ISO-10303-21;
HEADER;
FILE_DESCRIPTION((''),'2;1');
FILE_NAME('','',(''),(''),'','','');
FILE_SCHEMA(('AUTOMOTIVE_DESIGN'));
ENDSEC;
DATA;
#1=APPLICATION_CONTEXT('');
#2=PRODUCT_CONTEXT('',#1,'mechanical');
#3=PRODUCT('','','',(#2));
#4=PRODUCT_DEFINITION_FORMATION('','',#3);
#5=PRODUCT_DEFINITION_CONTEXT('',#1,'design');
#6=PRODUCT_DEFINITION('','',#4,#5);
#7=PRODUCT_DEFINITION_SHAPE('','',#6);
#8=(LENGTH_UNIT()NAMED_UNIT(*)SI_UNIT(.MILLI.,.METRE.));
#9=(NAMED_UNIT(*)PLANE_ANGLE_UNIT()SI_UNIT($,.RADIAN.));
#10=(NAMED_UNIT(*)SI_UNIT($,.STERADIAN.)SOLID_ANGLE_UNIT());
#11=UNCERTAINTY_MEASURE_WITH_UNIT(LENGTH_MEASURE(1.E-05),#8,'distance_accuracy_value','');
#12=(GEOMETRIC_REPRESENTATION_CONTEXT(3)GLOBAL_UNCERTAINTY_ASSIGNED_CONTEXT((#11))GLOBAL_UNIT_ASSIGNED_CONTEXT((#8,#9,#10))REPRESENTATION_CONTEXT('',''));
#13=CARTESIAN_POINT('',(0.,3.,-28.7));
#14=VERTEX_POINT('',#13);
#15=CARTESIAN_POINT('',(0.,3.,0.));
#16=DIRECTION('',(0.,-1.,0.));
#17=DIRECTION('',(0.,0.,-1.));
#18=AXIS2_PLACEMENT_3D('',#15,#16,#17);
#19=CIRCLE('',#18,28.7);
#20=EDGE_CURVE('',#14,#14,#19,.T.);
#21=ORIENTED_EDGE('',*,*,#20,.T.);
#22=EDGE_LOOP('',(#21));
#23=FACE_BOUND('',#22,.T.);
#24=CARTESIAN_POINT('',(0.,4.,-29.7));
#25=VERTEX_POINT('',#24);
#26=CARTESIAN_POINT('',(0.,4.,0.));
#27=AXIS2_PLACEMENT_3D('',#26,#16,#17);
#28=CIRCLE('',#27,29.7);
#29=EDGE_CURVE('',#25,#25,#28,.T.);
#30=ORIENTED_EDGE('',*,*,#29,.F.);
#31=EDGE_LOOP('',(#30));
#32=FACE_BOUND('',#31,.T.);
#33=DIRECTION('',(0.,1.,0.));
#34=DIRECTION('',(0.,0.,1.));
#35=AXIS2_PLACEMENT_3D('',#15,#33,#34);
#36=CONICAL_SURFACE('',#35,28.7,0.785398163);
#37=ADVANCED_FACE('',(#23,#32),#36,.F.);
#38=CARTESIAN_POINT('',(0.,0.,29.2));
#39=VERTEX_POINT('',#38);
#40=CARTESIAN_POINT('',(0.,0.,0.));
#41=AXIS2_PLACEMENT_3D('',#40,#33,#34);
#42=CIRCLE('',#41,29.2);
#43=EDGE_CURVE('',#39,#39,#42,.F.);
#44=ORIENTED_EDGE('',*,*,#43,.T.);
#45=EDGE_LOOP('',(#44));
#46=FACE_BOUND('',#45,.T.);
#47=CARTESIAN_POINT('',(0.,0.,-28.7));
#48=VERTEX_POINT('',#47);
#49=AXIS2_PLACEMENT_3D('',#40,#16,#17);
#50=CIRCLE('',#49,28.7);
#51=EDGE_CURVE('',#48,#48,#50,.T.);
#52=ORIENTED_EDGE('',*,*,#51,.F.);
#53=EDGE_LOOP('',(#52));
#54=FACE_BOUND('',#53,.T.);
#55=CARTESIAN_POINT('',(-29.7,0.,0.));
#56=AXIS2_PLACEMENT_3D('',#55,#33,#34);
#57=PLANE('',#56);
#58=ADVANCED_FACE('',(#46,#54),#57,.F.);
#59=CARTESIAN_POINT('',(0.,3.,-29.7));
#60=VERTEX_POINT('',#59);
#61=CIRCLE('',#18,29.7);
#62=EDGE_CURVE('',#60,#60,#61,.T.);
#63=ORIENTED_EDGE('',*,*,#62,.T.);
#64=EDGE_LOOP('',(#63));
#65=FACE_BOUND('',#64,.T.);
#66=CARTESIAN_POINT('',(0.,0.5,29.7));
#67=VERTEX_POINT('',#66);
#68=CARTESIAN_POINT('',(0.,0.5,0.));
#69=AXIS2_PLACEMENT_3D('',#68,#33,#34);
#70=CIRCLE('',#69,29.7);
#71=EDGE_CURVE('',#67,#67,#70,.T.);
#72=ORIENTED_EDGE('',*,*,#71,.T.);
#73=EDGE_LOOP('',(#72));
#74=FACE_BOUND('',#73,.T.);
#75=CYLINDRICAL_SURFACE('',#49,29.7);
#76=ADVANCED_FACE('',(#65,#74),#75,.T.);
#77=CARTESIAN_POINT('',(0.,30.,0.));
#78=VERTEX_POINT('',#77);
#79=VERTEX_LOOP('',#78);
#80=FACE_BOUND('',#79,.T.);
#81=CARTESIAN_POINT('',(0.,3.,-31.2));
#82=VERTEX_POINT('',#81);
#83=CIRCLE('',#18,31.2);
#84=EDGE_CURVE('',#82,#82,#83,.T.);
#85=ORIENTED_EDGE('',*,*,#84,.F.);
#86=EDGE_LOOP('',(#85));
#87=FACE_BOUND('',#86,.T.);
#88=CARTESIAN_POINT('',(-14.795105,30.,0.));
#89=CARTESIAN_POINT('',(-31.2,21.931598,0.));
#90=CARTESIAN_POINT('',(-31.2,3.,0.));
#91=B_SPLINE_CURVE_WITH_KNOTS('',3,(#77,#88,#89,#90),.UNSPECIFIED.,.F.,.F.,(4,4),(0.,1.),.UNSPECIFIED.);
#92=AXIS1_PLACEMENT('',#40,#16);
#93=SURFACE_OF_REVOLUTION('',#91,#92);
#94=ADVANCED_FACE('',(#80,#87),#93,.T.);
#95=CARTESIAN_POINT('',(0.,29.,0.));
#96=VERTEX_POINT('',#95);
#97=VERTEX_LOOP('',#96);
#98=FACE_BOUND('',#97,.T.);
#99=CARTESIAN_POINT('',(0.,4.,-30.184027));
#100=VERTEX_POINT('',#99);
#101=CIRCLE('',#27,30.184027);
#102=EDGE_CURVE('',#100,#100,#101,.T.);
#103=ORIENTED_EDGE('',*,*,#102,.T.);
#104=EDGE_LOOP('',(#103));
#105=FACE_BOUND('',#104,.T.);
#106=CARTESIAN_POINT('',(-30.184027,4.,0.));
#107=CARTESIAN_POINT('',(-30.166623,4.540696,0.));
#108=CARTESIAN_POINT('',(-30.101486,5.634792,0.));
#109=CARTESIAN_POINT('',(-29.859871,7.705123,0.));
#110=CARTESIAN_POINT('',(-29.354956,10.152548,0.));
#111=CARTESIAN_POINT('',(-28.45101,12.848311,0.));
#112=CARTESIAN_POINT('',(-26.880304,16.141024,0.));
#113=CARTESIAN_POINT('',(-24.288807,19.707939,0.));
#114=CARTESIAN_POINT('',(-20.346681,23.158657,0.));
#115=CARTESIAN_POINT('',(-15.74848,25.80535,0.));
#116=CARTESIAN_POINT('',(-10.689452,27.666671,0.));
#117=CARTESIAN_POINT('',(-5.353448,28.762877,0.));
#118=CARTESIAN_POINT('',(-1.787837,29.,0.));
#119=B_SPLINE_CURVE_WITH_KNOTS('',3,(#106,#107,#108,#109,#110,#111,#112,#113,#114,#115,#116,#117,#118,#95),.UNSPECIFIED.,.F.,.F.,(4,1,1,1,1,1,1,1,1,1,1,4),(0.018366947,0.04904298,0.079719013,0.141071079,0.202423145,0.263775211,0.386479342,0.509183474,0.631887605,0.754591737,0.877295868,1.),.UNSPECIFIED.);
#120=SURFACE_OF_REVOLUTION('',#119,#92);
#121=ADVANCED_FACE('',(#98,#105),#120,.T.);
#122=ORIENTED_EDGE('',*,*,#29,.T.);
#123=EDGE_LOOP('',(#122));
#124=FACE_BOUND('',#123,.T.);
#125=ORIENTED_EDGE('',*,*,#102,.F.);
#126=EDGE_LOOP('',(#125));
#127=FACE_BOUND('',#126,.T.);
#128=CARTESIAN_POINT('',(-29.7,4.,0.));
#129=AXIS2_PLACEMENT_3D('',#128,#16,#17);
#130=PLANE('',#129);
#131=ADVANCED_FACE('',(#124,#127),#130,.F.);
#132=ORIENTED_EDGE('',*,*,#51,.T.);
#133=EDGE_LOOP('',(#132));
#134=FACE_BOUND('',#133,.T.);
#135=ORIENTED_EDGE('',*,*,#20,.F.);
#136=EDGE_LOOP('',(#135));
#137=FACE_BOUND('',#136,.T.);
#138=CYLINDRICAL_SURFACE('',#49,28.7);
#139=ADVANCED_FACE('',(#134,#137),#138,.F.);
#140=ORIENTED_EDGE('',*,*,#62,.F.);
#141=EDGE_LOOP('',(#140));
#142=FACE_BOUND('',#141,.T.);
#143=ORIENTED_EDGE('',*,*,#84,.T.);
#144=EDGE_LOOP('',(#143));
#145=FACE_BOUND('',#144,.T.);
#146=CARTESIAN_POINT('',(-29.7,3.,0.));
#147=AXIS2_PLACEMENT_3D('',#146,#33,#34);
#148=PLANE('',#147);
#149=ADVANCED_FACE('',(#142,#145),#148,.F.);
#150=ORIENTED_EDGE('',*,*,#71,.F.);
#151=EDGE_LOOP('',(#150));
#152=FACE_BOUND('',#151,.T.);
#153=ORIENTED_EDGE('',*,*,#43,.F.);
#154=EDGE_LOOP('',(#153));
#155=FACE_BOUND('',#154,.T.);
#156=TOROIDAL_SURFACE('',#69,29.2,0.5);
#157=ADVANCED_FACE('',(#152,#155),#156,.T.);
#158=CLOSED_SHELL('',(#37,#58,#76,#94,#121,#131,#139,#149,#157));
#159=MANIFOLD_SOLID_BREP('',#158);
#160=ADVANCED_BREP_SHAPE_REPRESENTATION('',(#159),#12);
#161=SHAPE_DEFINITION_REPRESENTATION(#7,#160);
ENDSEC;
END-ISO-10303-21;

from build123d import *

# Parameters (mm, degrees)
FILLET1_R = 0.5


with BuildPart() as part:
    # Sketch2 → Revolve1 (revolve)
    with BuildSketch(Plane.XY, mode=Mode.PRIVATE) as revolve1_sk:
        with BuildLine():
            Line((-29.7, 0), (-28.7, 0))
            Line((-28.7, 0), (-28.7, 3))
            Line((-28.7, 3), (-29.7, 4))
            Line((-29.7, 4), (-30.184026904, 4))
            add(Edge.make_bspline(
                [(-30.184026904, 4), (-30.166623492, 4.54069605), (-30.101486192, 5.634791729), (-29.85987076, 7.705122509), (-29.354955902, 10.152548026), (-28.451009727, 12.848310996), (-26.880303632, 16.14102408), (-24.288807456, 19.707939202), (-20.346681081, 23.158657086), (-15.748479669, 25.805349854), (-10.689451806, 27.666671311), (-5.353447893, 28.762877066), (-1.787836999, 29), (0, 29)],
                knots=[0.018366947, 0.018366947, 0.018366947, 0.018366947, 0.04904298, 0.079719013, 0.141071079, 0.202423145, 0.263775211, 0.386479342, 0.509183474, 0.631887605, 0.754591737, 0.877295868, 1, 1, 1, 1], degree=3))
            Line((0, 29), (0, 30))
            add(Edge.make_bspline(
                [(-31.2, 3), (-31.2, 21.931598134), (-14.795104957, 30), (0, 30)],
                knots=[0, 0, 0, 0, 1, 1, 1, 1], degree=3))
            Line((-31.2, 3), (-29.7, 3))
            Line((-29.7, 3), (-29.7, 0))
        make_face()
    revolve(revolve1_sk.sketch.rotate(Axis((0, 0, 0), (0, 1, 0)), 270), axis=Axis((0, 0, 0), (0, 1, 0)))

    # Fillet1
    fillet1_edges = [part.edges().sort_by_distance(p)[0] for p in [
        (0, 0, 29.7),
    ]]
    fillet(fillet1_edges, radius=FILLET1_R)


solid = part.part
